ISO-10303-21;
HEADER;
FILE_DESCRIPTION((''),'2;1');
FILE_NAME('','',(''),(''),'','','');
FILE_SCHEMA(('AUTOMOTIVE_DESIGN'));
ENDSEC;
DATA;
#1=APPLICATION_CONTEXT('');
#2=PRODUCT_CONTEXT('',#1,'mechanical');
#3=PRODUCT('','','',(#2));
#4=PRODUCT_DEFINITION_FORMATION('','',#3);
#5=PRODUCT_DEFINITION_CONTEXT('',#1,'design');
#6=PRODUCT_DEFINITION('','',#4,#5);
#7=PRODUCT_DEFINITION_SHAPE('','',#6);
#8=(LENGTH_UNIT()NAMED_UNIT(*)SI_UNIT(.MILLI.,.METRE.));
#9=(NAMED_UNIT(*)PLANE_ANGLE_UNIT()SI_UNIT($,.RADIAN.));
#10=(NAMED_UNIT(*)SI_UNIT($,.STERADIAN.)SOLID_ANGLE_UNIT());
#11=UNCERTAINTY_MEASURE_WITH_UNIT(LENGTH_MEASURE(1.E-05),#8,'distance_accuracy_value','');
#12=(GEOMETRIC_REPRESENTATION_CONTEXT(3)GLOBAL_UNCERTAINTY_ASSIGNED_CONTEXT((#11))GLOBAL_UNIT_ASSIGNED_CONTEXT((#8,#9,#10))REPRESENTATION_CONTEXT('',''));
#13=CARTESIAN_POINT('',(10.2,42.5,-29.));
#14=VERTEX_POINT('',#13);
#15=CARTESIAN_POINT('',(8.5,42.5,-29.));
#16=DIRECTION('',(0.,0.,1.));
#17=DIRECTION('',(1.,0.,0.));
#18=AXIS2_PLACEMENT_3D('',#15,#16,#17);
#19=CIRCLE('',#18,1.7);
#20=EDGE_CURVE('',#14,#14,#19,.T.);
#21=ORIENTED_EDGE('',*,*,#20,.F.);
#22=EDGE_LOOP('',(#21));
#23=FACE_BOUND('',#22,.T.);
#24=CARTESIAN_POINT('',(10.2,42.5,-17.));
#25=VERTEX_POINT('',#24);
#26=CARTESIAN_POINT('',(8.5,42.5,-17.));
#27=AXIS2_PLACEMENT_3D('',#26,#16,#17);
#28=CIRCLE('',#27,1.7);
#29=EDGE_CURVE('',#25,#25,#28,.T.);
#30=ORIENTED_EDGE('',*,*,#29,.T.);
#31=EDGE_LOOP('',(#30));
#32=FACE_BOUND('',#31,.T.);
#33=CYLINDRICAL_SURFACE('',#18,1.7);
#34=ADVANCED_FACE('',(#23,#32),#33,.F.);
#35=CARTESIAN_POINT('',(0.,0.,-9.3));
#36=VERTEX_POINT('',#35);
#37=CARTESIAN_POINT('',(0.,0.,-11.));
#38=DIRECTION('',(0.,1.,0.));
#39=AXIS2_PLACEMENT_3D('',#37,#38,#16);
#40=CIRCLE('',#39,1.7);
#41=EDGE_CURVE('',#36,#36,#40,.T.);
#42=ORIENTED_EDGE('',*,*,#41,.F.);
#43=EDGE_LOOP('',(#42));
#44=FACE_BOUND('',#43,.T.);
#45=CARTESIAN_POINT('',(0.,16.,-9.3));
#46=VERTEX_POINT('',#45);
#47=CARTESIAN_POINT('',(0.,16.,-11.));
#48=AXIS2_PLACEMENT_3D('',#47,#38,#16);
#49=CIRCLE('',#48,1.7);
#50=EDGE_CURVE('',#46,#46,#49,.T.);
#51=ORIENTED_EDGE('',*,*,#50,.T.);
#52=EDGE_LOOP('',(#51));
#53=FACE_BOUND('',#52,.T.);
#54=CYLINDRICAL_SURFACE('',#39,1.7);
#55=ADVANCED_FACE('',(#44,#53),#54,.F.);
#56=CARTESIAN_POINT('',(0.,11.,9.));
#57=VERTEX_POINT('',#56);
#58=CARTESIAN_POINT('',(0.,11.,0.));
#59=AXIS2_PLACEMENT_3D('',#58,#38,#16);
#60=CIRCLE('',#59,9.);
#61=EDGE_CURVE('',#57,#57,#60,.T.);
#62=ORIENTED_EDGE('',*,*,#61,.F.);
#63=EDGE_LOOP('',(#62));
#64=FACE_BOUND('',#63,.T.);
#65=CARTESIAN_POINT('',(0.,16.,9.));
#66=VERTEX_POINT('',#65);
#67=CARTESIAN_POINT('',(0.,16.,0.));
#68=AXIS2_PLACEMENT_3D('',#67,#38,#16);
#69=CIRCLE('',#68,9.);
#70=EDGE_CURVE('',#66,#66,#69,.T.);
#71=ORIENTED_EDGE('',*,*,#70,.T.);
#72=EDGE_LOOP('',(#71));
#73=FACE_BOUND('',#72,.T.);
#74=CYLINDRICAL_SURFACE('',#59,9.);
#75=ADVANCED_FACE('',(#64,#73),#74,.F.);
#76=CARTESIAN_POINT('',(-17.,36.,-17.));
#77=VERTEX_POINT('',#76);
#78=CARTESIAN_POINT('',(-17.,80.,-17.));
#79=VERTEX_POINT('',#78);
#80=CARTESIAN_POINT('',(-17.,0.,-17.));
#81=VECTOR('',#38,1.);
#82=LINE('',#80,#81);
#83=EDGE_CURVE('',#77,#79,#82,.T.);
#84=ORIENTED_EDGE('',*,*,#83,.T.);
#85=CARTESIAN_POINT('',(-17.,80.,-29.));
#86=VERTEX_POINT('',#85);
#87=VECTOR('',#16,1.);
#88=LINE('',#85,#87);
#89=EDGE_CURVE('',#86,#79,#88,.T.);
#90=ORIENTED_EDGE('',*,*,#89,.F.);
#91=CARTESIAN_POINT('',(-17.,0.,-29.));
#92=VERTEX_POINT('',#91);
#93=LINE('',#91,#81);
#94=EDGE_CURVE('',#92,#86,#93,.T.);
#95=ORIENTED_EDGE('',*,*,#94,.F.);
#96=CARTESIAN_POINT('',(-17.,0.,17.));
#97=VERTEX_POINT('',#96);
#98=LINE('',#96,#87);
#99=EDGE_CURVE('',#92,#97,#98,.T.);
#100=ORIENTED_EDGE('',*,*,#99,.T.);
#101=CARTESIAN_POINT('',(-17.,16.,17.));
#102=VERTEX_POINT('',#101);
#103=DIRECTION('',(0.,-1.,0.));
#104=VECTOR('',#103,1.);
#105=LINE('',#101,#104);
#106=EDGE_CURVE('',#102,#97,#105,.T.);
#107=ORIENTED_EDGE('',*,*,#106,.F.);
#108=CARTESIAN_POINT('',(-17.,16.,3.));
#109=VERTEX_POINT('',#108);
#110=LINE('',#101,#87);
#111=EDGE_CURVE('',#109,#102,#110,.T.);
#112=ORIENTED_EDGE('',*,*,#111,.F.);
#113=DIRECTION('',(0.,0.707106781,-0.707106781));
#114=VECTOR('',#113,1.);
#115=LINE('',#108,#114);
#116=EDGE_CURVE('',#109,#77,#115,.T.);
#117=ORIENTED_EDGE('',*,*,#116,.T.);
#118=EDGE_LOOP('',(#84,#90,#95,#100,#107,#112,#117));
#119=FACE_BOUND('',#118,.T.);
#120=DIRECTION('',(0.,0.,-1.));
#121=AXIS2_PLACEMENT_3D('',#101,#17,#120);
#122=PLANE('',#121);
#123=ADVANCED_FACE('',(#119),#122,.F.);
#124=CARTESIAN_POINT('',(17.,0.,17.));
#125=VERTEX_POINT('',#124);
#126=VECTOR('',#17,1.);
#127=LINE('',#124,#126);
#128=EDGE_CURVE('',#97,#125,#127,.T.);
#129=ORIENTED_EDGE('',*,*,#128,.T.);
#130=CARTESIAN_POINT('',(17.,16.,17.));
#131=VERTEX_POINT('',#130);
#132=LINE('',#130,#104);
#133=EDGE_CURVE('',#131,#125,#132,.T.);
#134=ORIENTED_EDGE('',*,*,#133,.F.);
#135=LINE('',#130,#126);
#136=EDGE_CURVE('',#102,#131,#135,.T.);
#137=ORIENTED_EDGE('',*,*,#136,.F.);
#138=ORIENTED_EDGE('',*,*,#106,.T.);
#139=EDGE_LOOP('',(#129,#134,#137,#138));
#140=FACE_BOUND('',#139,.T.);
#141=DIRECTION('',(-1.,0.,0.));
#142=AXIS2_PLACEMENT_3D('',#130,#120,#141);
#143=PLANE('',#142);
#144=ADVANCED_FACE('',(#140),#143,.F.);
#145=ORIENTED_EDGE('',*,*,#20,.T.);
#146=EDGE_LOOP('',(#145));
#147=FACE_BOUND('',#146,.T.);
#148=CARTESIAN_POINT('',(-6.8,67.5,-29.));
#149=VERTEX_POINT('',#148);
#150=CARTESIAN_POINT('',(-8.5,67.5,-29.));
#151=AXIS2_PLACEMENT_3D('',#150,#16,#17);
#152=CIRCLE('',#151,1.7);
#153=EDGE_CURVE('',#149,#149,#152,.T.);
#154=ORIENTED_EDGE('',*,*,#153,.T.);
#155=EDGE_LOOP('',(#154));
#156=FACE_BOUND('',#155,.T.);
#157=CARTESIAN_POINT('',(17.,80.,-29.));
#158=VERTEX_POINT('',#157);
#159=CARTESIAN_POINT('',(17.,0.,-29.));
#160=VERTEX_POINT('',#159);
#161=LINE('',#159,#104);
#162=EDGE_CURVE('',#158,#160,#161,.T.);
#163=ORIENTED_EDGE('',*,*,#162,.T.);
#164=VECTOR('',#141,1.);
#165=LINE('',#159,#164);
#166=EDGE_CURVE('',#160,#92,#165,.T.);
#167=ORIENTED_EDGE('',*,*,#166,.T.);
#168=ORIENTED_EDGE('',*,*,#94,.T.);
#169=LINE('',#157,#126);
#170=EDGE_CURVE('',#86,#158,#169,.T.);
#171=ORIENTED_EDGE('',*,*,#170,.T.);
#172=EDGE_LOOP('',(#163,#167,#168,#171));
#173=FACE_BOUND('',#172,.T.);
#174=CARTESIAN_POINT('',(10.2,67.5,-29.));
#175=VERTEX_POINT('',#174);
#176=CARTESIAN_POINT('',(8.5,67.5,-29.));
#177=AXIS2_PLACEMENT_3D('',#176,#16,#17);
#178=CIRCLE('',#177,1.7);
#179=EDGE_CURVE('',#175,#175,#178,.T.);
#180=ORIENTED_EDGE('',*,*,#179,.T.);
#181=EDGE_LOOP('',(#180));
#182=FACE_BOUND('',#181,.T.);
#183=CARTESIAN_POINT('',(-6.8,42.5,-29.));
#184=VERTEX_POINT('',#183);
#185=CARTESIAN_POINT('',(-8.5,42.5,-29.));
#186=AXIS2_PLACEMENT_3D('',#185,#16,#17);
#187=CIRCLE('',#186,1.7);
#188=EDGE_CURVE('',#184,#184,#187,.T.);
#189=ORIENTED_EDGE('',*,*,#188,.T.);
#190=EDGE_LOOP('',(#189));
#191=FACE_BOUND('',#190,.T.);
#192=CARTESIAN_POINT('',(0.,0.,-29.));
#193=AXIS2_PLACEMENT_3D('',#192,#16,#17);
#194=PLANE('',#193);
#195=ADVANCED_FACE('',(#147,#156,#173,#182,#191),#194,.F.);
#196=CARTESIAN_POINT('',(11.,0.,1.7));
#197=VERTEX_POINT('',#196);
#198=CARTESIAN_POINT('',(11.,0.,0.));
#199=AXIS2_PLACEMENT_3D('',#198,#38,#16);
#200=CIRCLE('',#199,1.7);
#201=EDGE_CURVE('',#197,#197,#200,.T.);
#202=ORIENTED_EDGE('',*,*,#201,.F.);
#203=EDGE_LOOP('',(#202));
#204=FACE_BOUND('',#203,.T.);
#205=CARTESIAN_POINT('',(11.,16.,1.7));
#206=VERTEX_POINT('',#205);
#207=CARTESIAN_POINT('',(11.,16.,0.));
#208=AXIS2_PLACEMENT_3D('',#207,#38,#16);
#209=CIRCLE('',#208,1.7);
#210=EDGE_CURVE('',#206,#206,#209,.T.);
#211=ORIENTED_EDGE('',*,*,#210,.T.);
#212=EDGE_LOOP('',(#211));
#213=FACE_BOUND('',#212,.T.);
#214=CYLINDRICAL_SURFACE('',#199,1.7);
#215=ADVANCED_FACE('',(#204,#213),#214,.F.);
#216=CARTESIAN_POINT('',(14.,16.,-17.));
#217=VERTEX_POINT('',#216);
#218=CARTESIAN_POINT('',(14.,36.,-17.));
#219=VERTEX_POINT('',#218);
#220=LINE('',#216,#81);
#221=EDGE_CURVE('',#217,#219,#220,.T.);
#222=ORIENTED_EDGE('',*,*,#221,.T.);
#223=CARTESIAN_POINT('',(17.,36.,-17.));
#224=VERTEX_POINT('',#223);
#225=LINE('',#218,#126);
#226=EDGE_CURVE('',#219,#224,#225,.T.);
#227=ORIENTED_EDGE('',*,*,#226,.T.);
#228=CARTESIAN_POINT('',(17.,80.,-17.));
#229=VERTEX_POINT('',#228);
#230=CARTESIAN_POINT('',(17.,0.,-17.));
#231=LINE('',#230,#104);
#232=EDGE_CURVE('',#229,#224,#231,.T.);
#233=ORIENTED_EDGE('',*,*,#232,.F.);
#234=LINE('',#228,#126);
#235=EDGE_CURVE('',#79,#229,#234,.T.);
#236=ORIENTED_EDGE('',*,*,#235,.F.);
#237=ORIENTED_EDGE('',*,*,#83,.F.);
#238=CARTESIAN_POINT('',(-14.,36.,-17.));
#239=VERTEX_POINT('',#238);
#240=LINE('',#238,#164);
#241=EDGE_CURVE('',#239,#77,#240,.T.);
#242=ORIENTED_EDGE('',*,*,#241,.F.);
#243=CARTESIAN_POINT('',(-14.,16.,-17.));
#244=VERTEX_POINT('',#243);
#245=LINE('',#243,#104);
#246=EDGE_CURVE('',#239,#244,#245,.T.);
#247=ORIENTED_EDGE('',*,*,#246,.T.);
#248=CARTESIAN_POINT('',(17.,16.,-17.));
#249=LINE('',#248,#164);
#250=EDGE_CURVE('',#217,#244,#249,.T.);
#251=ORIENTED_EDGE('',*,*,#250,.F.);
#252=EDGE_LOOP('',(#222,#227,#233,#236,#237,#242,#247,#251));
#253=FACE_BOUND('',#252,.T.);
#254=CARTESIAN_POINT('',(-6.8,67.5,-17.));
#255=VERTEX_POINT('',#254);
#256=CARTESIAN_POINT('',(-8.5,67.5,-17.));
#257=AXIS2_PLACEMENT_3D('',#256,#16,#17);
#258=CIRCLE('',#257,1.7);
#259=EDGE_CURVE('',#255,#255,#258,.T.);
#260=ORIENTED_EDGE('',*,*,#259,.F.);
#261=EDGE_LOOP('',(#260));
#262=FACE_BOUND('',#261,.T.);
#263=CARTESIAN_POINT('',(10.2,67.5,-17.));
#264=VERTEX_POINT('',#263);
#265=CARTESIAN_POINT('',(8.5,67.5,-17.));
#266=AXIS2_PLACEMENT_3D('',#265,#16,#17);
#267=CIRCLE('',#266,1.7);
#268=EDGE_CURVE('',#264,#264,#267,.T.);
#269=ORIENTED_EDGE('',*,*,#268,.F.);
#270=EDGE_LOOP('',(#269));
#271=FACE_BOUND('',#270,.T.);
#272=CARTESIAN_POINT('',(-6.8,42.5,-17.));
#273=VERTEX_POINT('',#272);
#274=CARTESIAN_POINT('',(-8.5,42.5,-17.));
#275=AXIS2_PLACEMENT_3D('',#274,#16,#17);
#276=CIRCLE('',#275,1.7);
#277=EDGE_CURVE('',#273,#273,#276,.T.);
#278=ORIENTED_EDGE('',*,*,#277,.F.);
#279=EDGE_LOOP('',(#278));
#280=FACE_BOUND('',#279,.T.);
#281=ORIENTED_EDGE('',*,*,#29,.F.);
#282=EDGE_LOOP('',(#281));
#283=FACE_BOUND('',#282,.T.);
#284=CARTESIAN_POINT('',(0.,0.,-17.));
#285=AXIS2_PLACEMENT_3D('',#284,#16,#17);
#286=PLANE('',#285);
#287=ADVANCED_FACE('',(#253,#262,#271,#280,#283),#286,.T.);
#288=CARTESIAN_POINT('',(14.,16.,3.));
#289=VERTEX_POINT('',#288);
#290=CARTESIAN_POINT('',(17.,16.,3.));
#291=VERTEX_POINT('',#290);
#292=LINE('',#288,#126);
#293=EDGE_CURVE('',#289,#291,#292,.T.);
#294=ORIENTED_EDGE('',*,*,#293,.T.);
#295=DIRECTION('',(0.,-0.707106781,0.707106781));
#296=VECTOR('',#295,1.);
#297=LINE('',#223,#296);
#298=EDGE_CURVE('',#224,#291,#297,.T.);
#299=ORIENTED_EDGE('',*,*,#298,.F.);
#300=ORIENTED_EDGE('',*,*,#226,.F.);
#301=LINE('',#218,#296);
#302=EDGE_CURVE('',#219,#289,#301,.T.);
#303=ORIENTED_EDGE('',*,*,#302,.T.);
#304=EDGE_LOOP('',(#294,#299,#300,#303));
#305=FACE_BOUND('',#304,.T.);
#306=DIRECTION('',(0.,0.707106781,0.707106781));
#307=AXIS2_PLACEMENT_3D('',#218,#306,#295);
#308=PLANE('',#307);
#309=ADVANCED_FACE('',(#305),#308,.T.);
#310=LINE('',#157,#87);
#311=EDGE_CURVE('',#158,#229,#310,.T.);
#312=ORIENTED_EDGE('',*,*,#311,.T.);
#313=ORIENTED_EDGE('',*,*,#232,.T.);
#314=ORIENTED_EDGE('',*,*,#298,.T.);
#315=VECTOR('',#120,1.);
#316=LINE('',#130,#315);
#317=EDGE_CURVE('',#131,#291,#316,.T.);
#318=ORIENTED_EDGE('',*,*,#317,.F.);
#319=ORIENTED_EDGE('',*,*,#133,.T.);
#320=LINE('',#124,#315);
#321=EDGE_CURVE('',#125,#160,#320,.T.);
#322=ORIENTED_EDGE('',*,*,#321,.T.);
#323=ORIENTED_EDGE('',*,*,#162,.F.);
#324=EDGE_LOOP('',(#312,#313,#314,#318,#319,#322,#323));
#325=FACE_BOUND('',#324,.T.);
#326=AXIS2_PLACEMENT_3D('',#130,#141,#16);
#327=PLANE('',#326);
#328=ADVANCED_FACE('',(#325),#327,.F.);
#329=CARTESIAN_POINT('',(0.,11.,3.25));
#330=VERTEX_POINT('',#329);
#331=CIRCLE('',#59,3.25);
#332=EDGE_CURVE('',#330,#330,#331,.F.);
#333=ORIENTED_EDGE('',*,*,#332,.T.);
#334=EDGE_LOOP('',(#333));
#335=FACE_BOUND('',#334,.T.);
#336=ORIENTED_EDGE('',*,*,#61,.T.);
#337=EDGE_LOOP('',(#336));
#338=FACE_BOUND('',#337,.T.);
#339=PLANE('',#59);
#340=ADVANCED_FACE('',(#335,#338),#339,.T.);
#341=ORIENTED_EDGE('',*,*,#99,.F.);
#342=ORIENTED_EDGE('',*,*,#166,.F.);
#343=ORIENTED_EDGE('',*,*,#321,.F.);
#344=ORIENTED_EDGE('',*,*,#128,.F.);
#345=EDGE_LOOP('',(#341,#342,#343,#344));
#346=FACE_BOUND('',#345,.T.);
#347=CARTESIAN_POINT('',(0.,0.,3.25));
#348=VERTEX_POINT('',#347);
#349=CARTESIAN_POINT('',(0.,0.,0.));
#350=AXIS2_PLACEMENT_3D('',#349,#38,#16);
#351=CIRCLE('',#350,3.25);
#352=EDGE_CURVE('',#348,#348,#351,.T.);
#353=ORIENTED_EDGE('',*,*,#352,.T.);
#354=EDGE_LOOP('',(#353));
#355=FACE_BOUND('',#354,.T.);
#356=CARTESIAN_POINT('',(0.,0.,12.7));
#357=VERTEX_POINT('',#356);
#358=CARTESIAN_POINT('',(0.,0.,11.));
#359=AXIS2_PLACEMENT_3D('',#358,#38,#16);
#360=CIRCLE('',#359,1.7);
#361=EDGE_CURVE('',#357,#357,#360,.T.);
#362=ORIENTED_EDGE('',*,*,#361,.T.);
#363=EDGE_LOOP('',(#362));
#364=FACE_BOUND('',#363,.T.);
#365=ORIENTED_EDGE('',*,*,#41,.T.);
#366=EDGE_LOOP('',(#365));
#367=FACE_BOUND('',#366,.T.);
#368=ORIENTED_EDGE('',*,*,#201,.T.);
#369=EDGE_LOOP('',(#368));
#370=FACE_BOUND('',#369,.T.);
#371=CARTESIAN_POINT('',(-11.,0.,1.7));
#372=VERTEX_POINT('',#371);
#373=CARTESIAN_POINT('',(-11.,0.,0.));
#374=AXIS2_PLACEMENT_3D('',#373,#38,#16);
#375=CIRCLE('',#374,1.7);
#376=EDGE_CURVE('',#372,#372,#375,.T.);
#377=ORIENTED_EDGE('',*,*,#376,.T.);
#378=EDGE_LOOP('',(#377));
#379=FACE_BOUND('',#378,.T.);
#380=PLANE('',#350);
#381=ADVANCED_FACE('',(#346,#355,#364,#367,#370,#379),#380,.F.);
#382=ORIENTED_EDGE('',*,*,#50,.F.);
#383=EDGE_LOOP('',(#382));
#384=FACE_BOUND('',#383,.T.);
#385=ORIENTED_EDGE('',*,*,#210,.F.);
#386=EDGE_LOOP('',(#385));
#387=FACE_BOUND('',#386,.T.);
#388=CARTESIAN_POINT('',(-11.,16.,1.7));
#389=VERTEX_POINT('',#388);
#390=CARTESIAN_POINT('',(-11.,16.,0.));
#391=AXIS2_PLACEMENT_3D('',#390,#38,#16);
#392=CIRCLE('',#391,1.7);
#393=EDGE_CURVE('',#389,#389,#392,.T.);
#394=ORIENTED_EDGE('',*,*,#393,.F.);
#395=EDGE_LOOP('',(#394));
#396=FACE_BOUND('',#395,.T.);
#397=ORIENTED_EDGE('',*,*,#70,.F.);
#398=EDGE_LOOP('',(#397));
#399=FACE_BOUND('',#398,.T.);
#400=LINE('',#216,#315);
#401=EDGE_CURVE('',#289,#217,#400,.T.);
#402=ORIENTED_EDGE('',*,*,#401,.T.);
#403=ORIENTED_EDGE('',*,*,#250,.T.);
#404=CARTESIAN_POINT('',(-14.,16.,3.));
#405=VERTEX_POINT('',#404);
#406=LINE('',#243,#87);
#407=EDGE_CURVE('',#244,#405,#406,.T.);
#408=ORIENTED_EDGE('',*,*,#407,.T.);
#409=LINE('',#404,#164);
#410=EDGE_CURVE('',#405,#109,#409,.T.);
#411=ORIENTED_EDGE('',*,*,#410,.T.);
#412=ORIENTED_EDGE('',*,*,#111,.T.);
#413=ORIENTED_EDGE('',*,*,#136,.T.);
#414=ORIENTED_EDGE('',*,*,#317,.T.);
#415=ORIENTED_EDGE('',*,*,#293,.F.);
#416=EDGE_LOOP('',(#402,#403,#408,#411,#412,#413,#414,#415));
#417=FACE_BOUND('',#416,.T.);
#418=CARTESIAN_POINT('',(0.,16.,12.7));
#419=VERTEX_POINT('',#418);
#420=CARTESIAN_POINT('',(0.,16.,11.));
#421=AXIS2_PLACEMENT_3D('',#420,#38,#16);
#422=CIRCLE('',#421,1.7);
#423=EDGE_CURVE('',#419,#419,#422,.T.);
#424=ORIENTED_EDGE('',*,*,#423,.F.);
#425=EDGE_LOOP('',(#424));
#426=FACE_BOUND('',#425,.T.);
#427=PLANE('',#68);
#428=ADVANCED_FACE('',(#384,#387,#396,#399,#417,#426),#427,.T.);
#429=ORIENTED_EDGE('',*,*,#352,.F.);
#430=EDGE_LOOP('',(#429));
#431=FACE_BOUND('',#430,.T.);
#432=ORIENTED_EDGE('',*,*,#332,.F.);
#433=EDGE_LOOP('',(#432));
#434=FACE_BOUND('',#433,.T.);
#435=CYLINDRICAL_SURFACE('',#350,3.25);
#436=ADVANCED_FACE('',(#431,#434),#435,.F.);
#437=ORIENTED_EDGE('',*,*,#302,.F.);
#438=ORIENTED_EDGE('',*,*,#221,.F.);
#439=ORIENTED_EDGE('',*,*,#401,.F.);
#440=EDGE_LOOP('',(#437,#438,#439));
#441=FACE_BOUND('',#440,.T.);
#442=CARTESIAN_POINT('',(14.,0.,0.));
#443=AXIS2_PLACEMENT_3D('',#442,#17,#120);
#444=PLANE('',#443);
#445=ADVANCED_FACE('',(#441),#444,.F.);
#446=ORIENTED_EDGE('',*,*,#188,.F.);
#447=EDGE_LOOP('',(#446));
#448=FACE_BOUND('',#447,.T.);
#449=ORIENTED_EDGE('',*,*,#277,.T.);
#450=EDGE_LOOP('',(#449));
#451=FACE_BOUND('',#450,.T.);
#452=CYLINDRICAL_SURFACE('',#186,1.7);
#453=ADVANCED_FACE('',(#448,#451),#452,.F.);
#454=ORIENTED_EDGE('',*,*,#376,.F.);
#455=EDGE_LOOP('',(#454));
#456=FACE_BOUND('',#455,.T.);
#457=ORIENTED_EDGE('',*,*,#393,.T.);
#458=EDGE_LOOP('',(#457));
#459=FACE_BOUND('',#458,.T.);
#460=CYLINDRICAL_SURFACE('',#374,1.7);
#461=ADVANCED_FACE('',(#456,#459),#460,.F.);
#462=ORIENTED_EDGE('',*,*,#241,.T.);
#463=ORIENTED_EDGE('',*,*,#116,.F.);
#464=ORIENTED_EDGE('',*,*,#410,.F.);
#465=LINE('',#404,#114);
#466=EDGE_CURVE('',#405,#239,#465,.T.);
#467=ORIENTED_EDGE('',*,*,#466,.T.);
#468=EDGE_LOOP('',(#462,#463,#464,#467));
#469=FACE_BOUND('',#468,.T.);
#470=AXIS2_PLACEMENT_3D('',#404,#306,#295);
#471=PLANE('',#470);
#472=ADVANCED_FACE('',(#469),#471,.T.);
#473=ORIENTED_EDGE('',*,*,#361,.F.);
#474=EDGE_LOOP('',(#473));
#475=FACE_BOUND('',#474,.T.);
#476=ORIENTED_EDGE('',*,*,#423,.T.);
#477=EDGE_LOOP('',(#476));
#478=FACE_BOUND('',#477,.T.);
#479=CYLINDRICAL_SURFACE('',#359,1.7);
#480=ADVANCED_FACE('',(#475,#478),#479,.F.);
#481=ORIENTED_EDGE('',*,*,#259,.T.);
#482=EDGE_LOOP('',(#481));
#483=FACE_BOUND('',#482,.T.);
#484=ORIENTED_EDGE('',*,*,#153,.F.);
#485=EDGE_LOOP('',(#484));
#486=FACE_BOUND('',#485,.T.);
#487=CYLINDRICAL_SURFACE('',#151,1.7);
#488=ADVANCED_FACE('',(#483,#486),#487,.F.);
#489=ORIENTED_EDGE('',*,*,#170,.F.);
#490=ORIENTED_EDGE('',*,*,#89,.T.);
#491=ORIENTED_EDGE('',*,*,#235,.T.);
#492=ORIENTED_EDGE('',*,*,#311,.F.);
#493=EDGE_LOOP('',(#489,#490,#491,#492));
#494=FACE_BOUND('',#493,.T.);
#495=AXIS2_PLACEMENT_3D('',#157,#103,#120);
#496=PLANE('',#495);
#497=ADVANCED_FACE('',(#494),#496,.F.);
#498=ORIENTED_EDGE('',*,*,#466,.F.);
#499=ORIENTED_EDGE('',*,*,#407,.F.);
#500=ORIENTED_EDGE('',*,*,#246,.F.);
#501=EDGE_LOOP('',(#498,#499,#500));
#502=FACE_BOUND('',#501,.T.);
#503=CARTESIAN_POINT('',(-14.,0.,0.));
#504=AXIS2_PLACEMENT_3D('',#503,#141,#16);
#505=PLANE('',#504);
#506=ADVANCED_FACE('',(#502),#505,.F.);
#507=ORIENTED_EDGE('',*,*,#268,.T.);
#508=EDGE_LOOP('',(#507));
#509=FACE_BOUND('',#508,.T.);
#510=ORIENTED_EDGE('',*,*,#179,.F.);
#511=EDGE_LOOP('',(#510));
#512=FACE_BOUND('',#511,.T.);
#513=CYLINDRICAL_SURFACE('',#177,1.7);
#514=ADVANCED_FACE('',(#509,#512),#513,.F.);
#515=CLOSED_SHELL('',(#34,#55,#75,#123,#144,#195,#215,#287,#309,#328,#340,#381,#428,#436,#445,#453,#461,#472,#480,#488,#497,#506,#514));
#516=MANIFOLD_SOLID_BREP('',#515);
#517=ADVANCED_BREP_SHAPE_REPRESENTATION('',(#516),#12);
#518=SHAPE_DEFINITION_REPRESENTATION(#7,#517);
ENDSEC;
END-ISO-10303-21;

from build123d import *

# Parameters (mm, degrees)
SKETCH1_W           = 34
SKETCH1_H           = 34
BOSS_EXTRUDE1_DEPTH = 16
SKETCH2_W           = 34
SKETCH2_H           = 80
BOSS_EXTRUDE2_DEPTH = 12
SKETCH3_R           = 3.25
SKETCH3_R_2         = 1.7
CUT_EXTRUDE2_DEPTH  = 73.291078288
SKETCH4_R           = 9
CUT_EXTRUDE3_DEPTH  = 5
SKETCH5_R           = 1.7
CUT_EXTRUDE4_DEPTH  = 89.572004606
BOSS_EXTRUDE3_DEPTH = 3
BOSS_EXTRUDE4_DEPTH = 3


with BuildPart() as part:
    # Sketch1 → Boss-Extrude1 (new body)
    with BuildSketch(Plane(origin=(0, 0, 0), x_dir=(1, 0, 0), z_dir=(0, 1, 0))):
        Rectangle(SKETCH1_W, SKETCH1_H)
    extrude(amount=BOSS_EXTRUDE1_DEPTH)

    # Sketch2 → Boss-Extrude2 (add)
    with BuildSketch(Plane(origin=(0, 0, -17), x_dir=(-1, 0, 0), z_dir=(0, 0, -1))):
        with Locations((0, 40)):
            Rectangle(SKETCH2_W, SKETCH2_H)
    extrude(amount=BOSS_EXTRUDE2_DEPTH)

    # Sketch3 → Cut-Extrude2 (cut, through all)
    with BuildSketch(Plane(origin=(0, 16, 0), x_dir=(1, 0, 0), z_dir=(0, 1, 0))):
        with Locations(Location((0, 0, 0), (0, 0, 270))):
            Circle(SKETCH3_R)
        with Locations(Location((0, 11, 0), (0, 0, 270))):
            Circle(SKETCH3_R_2)
        with Locations(Location((11, 0, 0), (0, 0, 270))):
            Circle(SKETCH3_R_2)
        with Locations(Location((0, -11, 0), (0, 0, 270))):
            Circle(SKETCH3_R_2)
        with Locations(Location((-11, 0, 0), (0, 0, 270))):
            Circle(SKETCH3_R_2)
    extrude(amount=-CUT_EXTRUDE2_DEPTH, mode=Mode.SUBTRACT)

    # Sketch4 → Cut-Extrude3 (cut)
    with BuildSketch(Plane(origin=(0, 16, 0), x_dir=(1, 0, 0), z_dir=(0, 1, 0))):
        with Locations(Location((0, 0, 0), (0, 0, 270))):
            Circle(SKETCH4_R)
    extrude(amount=-CUT_EXTRUDE3_DEPTH, mode=Mode.SUBTRACT)

    # Sketch5 → Cut-Extrude4 (cut, through all)
    with BuildSketch(Plane.XY.offset(-17)):
        with Locations((-8.5, 67.5)):
            Circle(SKETCH5_R)
        with Locations((8.5, 67.5)):
            Circle(SKETCH5_R)
        with Locations((8.5, 42.5)):
            Circle(SKETCH5_R)
        with Locations((-8.5, 42.5)):
            Circle(SKETCH5_R)
    extrude(amount=-CUT_EXTRUDE4_DEPTH, mode=Mode.SUBTRACT)

    # Sketch6 → Boss-Extrude3 (add)
    with BuildSketch(Plane(origin=(17, 0, 0), x_dir=(0, 0, -1), z_dir=(1, 0, 0))):
        Polygon((17, 16), (-3, 16), (17, 36), align=None)
    extrude(amount=-BOSS_EXTRUDE3_DEPTH)

    # Sketch7 → Boss-Extrude4 (add)
    with BuildSketch(Plane.ZY.offset(17)):
        Polygon((-17, 16), (-17, 36), (3, 16), align=None)
    extrude(amount=-BOSS_EXTRUDE4_DEPTH)


solid = part.part
